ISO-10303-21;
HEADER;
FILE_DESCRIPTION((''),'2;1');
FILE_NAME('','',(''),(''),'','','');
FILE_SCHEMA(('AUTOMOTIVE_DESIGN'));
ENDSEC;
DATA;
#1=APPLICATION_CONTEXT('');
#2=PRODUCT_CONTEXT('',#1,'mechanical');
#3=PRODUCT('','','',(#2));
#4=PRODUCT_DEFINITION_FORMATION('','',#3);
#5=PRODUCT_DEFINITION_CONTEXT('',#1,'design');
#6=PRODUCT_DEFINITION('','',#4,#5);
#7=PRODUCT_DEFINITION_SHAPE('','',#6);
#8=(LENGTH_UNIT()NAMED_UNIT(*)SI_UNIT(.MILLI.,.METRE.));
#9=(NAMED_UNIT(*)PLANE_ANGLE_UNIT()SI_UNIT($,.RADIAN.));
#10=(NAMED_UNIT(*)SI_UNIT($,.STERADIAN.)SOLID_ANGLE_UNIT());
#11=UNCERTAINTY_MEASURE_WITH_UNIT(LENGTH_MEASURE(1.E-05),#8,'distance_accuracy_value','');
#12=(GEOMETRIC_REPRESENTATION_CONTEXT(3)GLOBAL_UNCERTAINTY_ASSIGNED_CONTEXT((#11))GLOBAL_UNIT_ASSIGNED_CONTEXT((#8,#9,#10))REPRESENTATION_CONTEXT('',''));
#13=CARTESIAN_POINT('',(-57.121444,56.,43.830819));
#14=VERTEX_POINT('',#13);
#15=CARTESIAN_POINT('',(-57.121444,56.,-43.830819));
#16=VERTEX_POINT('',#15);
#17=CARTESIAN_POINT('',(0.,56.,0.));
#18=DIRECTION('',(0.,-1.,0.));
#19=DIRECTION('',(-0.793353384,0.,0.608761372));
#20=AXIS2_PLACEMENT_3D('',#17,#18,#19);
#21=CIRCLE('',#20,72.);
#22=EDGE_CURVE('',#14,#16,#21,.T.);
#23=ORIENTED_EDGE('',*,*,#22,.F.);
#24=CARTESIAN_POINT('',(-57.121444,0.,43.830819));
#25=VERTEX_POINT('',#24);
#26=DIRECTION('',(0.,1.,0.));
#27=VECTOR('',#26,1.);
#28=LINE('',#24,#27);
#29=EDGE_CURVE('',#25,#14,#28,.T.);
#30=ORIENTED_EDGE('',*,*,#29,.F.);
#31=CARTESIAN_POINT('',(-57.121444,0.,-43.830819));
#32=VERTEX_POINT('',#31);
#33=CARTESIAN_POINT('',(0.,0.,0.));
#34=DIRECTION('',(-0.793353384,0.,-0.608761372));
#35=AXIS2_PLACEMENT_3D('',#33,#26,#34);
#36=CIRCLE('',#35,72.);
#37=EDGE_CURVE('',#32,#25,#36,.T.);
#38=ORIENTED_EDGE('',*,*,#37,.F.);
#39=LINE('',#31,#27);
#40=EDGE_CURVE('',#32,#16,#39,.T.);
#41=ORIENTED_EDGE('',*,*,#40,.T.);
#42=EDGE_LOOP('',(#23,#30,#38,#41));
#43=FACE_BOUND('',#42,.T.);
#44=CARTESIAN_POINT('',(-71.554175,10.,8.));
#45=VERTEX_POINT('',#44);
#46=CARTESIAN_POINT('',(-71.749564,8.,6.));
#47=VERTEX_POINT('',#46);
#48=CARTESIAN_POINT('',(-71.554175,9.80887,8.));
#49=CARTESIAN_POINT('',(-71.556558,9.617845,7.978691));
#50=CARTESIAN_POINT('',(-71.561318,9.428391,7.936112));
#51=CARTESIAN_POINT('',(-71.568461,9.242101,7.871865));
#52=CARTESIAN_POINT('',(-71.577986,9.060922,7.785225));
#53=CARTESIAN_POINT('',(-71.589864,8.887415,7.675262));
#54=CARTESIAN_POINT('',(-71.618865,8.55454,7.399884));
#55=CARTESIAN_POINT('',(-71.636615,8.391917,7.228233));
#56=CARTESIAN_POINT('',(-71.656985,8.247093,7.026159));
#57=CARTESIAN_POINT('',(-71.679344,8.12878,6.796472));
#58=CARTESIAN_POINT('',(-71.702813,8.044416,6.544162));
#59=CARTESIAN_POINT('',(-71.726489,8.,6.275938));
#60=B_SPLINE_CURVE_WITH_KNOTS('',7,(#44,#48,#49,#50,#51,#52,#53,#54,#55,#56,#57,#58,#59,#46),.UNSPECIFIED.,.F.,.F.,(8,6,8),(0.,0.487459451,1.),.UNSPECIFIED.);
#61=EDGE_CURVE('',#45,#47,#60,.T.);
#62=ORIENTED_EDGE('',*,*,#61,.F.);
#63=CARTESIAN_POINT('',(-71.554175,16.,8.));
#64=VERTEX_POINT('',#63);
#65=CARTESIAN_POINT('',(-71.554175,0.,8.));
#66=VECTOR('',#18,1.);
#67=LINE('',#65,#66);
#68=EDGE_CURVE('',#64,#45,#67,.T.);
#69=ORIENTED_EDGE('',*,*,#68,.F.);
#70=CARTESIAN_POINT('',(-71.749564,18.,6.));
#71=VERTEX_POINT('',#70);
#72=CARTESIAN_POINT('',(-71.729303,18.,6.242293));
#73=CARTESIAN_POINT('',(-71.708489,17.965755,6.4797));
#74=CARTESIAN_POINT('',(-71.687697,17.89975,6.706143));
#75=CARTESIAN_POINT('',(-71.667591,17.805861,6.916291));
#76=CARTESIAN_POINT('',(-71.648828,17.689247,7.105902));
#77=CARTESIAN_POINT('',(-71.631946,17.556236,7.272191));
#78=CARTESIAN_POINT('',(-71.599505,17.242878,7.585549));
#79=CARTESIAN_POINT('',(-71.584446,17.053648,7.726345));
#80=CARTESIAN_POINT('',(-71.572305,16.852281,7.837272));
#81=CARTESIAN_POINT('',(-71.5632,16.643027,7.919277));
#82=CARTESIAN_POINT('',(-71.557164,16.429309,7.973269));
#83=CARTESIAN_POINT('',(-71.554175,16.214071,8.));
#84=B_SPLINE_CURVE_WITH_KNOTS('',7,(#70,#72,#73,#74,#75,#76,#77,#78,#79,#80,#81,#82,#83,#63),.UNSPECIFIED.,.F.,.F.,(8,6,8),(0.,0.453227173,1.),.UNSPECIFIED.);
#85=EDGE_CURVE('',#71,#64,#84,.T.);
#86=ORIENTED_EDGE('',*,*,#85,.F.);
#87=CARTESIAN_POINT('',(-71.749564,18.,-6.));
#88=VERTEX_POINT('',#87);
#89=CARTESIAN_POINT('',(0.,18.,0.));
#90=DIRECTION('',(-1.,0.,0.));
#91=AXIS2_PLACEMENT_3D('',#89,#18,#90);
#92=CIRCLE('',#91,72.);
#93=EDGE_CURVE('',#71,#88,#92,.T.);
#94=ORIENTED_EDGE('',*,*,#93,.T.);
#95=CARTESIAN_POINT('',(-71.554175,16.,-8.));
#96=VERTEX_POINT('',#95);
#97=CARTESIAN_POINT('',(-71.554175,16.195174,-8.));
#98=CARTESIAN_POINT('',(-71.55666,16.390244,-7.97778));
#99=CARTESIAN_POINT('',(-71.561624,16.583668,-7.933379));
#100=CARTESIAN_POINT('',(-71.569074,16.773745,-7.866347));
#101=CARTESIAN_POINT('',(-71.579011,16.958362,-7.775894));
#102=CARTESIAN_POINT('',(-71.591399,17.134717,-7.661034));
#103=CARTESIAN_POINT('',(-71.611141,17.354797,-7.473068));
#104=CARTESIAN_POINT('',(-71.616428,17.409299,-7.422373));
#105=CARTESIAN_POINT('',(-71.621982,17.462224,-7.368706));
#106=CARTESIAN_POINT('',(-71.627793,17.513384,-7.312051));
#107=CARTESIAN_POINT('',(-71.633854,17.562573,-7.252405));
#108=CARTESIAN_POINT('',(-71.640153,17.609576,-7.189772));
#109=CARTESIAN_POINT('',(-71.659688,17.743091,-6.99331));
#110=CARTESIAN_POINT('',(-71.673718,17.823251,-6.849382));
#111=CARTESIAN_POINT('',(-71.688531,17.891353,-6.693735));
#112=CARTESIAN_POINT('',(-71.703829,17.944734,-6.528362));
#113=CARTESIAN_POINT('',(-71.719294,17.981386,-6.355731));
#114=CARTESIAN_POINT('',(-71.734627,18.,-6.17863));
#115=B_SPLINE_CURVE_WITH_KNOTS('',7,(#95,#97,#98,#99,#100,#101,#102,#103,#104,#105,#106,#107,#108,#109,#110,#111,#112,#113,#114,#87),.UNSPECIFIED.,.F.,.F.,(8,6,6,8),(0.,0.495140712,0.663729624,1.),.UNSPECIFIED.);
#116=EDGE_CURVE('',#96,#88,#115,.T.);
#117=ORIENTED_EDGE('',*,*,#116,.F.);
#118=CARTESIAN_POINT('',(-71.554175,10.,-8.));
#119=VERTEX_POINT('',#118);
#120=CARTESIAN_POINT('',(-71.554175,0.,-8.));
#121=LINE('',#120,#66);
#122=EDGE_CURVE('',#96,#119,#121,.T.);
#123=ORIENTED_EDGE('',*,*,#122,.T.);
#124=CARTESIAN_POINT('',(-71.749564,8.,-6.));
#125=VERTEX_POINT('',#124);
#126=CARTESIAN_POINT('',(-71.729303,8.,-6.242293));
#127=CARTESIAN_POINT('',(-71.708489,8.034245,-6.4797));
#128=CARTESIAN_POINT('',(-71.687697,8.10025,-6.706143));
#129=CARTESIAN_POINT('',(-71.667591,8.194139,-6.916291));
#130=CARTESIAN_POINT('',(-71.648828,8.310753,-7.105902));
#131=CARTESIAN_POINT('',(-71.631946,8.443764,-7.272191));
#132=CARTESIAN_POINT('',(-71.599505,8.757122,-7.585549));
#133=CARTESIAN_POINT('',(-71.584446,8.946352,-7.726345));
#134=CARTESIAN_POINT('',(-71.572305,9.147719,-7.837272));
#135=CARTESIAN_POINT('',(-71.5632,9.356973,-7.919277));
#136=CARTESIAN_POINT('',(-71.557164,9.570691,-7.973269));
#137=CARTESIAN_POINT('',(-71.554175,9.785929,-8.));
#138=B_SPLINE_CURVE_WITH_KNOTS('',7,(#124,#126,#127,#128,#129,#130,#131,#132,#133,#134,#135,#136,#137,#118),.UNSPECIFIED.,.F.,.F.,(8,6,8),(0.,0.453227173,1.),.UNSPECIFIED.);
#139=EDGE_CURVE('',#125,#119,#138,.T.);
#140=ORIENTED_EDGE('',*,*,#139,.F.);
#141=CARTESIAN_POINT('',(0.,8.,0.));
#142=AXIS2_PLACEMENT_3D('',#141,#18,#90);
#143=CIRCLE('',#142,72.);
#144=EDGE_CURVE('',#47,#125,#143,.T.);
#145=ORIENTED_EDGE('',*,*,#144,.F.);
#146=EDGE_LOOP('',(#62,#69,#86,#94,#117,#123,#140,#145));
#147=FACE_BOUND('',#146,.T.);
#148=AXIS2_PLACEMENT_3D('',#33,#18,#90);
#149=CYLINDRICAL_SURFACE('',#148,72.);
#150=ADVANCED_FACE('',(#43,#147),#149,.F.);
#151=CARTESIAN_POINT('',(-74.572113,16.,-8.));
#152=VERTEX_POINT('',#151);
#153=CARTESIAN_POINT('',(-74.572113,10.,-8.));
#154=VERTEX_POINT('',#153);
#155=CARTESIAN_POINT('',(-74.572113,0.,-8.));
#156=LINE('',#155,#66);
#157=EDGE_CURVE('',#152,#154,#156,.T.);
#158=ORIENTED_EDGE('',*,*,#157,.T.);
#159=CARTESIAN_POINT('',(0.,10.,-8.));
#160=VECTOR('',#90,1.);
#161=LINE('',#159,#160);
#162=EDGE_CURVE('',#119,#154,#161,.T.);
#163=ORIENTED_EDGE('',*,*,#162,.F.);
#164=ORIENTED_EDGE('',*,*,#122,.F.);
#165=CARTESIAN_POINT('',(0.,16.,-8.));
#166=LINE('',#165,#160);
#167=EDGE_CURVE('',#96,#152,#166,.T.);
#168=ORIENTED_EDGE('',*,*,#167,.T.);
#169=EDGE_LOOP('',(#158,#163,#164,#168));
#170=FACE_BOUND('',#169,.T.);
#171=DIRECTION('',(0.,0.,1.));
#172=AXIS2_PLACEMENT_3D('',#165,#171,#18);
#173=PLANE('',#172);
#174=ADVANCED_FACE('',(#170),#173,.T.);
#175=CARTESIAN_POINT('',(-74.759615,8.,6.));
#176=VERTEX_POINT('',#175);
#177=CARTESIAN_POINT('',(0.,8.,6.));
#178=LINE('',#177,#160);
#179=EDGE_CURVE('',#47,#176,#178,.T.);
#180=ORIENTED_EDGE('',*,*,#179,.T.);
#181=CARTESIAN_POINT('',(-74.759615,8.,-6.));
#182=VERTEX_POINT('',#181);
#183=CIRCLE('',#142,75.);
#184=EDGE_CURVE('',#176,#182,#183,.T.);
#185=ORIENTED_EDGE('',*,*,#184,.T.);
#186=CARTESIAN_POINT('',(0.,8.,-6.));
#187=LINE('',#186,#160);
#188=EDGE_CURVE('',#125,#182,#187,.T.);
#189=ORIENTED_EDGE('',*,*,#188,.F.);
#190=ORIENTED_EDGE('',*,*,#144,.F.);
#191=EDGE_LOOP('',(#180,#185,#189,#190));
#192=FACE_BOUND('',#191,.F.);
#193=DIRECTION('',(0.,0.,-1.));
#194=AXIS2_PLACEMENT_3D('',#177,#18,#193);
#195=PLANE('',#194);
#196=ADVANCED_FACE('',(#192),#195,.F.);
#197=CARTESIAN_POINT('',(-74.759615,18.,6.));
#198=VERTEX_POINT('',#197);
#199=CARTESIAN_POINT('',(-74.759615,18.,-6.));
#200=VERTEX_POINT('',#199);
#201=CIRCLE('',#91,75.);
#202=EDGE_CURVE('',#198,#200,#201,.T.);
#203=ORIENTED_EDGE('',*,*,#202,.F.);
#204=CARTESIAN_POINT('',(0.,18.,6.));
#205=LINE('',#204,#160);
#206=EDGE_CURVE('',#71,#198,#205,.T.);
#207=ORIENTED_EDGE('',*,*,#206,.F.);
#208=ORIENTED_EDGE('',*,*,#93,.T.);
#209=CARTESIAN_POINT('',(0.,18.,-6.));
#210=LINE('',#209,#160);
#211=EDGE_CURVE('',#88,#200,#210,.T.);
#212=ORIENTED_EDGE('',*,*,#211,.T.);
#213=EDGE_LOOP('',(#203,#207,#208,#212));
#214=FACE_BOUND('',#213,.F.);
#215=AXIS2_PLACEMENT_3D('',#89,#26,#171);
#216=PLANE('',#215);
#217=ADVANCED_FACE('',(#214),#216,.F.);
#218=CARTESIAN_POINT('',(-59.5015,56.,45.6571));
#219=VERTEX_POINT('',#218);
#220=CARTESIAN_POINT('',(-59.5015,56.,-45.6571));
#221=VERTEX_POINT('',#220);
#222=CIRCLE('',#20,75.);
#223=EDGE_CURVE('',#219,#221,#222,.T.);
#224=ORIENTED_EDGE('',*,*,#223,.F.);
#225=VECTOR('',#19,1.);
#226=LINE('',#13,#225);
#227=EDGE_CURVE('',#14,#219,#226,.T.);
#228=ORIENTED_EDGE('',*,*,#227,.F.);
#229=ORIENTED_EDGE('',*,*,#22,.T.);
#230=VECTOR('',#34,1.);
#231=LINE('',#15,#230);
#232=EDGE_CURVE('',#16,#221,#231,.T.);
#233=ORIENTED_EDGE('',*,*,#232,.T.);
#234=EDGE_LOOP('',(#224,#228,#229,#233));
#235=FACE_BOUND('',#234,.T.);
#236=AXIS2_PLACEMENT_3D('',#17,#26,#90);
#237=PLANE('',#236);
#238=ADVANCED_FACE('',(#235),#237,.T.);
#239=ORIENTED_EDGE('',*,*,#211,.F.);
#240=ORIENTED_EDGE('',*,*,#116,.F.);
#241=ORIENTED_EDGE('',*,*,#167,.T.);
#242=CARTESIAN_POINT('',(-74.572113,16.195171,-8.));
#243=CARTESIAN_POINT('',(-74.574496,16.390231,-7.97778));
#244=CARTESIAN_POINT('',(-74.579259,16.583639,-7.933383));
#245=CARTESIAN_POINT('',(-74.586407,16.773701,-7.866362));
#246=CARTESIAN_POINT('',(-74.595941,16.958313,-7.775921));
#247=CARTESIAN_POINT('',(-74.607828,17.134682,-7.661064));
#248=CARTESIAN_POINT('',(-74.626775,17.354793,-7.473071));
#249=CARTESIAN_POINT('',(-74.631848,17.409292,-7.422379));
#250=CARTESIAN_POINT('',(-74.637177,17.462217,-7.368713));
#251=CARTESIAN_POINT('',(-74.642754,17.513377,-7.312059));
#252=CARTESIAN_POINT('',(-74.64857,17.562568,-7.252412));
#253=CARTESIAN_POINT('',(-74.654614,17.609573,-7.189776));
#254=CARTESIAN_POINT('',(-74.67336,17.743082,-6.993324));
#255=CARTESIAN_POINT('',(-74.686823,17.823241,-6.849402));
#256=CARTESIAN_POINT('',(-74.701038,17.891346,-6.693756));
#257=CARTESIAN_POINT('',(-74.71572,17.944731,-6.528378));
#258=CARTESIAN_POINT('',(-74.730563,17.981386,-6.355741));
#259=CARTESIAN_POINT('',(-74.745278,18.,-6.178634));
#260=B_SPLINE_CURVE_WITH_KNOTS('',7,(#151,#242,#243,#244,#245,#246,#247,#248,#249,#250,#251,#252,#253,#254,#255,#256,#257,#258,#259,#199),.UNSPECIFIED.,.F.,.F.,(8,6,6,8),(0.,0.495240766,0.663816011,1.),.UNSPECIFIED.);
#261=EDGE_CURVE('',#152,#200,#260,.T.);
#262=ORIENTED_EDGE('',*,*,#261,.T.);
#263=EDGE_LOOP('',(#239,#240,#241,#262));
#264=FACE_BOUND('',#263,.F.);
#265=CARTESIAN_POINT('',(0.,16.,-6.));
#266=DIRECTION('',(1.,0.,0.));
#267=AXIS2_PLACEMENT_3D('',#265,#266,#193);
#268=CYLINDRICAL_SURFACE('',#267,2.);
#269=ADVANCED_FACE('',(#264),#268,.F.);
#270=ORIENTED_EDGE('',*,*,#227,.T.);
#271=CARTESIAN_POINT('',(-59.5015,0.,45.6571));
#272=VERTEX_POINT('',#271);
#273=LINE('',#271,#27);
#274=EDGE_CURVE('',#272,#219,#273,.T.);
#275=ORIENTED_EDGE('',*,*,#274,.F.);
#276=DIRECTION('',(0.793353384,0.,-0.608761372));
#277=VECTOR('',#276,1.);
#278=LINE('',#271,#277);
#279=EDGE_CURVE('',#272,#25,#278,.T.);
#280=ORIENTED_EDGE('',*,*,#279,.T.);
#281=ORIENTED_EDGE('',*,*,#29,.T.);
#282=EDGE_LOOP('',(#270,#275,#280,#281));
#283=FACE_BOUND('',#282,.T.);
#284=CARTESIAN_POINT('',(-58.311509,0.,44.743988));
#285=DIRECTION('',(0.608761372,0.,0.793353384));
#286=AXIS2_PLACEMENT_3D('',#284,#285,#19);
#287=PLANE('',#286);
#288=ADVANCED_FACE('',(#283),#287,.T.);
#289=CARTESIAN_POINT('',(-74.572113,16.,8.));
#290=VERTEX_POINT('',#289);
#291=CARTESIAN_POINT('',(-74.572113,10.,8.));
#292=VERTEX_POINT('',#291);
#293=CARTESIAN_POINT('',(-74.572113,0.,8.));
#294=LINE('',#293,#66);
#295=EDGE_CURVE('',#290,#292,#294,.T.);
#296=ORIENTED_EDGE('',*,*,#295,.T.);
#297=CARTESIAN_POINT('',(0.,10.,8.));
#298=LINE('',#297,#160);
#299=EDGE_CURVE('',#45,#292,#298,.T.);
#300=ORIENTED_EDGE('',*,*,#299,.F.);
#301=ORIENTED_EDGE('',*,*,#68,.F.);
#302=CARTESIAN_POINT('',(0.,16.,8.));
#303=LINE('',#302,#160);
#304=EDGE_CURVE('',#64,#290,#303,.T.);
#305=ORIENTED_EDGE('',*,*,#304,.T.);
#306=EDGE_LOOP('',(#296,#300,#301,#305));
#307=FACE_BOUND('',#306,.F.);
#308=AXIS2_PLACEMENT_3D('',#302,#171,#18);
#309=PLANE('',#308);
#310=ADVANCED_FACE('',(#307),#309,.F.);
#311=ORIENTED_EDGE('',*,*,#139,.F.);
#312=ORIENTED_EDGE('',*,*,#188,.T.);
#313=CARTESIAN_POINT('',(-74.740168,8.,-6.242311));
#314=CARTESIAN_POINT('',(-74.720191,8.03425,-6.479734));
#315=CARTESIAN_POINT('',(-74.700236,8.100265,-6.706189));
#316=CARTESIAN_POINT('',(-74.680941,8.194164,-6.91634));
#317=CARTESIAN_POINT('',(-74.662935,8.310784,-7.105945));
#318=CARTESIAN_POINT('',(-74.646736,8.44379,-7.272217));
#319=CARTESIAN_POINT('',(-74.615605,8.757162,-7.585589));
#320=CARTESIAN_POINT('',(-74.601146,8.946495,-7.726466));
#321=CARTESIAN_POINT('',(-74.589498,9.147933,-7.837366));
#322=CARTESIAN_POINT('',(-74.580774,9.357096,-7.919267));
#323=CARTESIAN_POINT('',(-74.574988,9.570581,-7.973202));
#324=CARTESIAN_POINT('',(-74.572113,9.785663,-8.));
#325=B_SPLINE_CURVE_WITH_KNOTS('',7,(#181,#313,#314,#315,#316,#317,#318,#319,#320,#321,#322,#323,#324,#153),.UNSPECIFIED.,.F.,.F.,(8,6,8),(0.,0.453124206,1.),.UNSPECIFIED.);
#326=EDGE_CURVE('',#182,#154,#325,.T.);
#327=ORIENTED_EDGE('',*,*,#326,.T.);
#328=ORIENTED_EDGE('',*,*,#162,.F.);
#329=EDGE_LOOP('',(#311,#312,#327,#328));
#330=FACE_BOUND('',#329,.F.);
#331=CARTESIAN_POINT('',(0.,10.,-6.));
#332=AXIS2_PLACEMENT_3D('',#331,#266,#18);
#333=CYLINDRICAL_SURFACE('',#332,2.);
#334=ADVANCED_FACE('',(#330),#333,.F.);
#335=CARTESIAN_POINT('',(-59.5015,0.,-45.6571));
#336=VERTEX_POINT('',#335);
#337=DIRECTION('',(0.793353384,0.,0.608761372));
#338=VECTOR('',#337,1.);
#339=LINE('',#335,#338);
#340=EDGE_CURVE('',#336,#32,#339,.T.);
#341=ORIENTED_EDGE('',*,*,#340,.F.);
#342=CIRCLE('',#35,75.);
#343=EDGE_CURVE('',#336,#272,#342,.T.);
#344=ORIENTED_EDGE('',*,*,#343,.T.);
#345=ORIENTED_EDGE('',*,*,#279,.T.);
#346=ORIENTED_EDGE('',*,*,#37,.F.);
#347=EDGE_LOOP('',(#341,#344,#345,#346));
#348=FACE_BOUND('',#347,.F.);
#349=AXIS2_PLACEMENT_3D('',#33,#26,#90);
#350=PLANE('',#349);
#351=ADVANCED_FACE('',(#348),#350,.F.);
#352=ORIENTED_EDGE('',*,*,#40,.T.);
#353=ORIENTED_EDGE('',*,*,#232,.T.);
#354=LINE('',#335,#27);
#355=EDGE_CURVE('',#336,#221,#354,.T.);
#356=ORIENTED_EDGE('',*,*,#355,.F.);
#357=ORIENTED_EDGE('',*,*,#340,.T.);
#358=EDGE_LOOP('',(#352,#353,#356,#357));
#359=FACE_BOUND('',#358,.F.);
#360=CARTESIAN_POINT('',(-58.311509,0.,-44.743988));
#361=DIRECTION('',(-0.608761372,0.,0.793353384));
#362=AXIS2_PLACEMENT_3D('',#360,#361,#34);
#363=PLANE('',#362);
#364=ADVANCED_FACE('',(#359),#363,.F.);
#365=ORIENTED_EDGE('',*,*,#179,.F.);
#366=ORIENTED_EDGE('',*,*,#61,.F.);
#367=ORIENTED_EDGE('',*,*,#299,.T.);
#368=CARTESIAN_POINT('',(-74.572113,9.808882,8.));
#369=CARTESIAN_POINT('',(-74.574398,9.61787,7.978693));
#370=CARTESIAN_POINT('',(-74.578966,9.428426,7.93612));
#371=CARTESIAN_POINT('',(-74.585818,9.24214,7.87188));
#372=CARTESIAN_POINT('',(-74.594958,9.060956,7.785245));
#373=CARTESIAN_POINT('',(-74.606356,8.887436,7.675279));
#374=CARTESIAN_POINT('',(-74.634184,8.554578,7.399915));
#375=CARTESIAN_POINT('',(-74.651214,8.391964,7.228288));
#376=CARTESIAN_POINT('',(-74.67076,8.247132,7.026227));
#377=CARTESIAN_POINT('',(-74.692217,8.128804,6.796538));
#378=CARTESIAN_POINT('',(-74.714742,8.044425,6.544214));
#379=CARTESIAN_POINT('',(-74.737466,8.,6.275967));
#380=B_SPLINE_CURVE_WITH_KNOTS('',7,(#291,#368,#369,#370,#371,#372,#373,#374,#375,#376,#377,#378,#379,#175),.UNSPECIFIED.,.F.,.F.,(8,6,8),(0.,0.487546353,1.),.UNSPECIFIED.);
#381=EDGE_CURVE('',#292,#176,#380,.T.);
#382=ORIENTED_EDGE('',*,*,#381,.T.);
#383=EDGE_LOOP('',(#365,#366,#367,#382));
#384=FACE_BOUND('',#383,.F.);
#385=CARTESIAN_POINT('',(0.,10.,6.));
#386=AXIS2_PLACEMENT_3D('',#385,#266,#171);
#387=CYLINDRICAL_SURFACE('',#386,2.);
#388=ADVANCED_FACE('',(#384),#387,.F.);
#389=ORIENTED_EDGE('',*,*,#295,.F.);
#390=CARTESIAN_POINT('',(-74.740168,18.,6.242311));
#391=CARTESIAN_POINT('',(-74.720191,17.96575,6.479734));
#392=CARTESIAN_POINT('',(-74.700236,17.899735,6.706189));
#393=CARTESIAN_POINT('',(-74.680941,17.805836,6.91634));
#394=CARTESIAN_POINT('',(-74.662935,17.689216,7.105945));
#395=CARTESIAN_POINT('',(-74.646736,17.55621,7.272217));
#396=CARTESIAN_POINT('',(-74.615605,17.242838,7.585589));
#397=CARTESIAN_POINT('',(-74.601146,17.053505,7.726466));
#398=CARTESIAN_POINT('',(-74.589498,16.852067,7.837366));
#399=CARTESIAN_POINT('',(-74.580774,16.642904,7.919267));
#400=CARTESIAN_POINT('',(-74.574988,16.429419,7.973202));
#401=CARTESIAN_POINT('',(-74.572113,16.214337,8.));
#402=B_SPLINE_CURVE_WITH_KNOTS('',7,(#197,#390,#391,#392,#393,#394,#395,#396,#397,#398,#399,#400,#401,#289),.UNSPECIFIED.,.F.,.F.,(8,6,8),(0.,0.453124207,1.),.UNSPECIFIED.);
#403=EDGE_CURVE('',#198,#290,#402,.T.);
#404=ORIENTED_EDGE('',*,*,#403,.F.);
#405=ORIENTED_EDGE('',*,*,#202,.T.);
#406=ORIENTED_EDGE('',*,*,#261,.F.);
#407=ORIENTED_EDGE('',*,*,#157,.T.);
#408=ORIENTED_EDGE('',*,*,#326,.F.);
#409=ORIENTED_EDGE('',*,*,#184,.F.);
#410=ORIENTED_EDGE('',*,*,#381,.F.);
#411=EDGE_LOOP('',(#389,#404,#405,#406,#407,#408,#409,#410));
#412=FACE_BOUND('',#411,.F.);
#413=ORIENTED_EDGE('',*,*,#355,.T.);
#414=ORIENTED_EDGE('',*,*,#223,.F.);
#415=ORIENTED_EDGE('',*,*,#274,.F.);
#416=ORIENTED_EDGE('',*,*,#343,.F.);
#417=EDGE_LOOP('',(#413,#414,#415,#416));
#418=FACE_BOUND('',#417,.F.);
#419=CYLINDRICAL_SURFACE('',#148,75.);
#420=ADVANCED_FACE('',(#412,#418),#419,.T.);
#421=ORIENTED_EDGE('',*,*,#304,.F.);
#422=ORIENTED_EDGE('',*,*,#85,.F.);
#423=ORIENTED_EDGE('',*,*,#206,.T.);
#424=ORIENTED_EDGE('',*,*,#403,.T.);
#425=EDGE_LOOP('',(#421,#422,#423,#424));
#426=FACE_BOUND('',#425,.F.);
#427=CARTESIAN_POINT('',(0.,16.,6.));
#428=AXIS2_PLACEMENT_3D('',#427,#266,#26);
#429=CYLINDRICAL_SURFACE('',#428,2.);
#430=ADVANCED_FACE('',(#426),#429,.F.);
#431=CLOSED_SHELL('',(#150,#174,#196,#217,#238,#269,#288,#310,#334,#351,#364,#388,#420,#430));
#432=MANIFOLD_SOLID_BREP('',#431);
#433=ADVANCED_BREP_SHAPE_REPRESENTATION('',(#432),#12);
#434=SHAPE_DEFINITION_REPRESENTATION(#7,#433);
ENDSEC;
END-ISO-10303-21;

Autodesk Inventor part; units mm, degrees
ref_plane "YZ Plane" through (0, 0, 0) normal (1, 0, 0) x (0, 1, 0)
ref_plane "XZ Plane" through (0, 0, 0) normal (0, 1, 0) x (-1, 0, 0)
ref_plane "XY Plane" through (0, 0, 0) normal (0, 0, 1) x (1, 0, 0)
sketch "Sketch1" plane through (0, 0, 0) normal (0, 1, 0) x (-1, 0, 0)
  circle A0 centre (0, 0) radius 75
  circle A1 centre (0, 0) radius 72
  line L0 (0, 0) -> (59.5015, -45.6571)
  line L1 (0, 0) -> (59.5015, 45.6571)
  line L2 (0, 0) -> (75, 0)
  arc A2 (58.3115, -44.744) -> (58.3115, 44.744) centre (0, 0) ccw
  point P0 (57.1214, 43.8308)
  point P1 (57.1214, -43.8308)
  dimension "d0" = 150
  dimension "d1" = 3
  dimension "d2" = 37.5
  dimension "d3" = 37.5
  dimension "d13" = 1.5
extrude "Extrusion1" add sketch "Sketch1" along normal blind 56 contours L2 A2 L1 A0 | A0 L0 A2 L2 | A2 L0 A1 L2 | L2 A1 L1 A2
sketch "Sketch2" plane through (0, 0, 0) normal (1, 0, 0) x (0, 1, 0)
  line L0 (8, 0) -> (18, 0)
  line L1 (18, 0) -> (18, 6)
  line L2 (16, 8) -> (10, 8)
  line L3 (8, 6) -> (8, 0)
  line L4 (8, 0) -> (18, 0)
  line L5 (18, 0) -> (18, -6)
  line L6 (16, -8) -> (10, -8)
  line L7 (8, -6) -> (8, 0)
  line L8 (0, -45.6571) -> (0, 45.6571) projected
  line L9 (0, 0) -> (8, 0)
  arc A0 (16, -8) -> (18, -6) centre (16, -6) ccw
  arc A1 (18, 6) -> (16, 8) centre (16, 6) ccw
  arc A2 (10, 8) -> (8, 6) centre (10, 6) ccw
  arc A3 (8, -6) -> (10, -8) centre (10, -6) ccw
  point P0 (18, 8)
  point P1 (8, 8)
  point P2 (18, -8)
  point P3 (8, -8)
  dimension "d6" = 8
  dimension "d7" = 8
  dimension "d8" = 10
  dimension "d12" = 2
extrude "Extrusion2" cut sketch "Sketch2" against normal blind 100
properties part number "PARED TRASERA"
